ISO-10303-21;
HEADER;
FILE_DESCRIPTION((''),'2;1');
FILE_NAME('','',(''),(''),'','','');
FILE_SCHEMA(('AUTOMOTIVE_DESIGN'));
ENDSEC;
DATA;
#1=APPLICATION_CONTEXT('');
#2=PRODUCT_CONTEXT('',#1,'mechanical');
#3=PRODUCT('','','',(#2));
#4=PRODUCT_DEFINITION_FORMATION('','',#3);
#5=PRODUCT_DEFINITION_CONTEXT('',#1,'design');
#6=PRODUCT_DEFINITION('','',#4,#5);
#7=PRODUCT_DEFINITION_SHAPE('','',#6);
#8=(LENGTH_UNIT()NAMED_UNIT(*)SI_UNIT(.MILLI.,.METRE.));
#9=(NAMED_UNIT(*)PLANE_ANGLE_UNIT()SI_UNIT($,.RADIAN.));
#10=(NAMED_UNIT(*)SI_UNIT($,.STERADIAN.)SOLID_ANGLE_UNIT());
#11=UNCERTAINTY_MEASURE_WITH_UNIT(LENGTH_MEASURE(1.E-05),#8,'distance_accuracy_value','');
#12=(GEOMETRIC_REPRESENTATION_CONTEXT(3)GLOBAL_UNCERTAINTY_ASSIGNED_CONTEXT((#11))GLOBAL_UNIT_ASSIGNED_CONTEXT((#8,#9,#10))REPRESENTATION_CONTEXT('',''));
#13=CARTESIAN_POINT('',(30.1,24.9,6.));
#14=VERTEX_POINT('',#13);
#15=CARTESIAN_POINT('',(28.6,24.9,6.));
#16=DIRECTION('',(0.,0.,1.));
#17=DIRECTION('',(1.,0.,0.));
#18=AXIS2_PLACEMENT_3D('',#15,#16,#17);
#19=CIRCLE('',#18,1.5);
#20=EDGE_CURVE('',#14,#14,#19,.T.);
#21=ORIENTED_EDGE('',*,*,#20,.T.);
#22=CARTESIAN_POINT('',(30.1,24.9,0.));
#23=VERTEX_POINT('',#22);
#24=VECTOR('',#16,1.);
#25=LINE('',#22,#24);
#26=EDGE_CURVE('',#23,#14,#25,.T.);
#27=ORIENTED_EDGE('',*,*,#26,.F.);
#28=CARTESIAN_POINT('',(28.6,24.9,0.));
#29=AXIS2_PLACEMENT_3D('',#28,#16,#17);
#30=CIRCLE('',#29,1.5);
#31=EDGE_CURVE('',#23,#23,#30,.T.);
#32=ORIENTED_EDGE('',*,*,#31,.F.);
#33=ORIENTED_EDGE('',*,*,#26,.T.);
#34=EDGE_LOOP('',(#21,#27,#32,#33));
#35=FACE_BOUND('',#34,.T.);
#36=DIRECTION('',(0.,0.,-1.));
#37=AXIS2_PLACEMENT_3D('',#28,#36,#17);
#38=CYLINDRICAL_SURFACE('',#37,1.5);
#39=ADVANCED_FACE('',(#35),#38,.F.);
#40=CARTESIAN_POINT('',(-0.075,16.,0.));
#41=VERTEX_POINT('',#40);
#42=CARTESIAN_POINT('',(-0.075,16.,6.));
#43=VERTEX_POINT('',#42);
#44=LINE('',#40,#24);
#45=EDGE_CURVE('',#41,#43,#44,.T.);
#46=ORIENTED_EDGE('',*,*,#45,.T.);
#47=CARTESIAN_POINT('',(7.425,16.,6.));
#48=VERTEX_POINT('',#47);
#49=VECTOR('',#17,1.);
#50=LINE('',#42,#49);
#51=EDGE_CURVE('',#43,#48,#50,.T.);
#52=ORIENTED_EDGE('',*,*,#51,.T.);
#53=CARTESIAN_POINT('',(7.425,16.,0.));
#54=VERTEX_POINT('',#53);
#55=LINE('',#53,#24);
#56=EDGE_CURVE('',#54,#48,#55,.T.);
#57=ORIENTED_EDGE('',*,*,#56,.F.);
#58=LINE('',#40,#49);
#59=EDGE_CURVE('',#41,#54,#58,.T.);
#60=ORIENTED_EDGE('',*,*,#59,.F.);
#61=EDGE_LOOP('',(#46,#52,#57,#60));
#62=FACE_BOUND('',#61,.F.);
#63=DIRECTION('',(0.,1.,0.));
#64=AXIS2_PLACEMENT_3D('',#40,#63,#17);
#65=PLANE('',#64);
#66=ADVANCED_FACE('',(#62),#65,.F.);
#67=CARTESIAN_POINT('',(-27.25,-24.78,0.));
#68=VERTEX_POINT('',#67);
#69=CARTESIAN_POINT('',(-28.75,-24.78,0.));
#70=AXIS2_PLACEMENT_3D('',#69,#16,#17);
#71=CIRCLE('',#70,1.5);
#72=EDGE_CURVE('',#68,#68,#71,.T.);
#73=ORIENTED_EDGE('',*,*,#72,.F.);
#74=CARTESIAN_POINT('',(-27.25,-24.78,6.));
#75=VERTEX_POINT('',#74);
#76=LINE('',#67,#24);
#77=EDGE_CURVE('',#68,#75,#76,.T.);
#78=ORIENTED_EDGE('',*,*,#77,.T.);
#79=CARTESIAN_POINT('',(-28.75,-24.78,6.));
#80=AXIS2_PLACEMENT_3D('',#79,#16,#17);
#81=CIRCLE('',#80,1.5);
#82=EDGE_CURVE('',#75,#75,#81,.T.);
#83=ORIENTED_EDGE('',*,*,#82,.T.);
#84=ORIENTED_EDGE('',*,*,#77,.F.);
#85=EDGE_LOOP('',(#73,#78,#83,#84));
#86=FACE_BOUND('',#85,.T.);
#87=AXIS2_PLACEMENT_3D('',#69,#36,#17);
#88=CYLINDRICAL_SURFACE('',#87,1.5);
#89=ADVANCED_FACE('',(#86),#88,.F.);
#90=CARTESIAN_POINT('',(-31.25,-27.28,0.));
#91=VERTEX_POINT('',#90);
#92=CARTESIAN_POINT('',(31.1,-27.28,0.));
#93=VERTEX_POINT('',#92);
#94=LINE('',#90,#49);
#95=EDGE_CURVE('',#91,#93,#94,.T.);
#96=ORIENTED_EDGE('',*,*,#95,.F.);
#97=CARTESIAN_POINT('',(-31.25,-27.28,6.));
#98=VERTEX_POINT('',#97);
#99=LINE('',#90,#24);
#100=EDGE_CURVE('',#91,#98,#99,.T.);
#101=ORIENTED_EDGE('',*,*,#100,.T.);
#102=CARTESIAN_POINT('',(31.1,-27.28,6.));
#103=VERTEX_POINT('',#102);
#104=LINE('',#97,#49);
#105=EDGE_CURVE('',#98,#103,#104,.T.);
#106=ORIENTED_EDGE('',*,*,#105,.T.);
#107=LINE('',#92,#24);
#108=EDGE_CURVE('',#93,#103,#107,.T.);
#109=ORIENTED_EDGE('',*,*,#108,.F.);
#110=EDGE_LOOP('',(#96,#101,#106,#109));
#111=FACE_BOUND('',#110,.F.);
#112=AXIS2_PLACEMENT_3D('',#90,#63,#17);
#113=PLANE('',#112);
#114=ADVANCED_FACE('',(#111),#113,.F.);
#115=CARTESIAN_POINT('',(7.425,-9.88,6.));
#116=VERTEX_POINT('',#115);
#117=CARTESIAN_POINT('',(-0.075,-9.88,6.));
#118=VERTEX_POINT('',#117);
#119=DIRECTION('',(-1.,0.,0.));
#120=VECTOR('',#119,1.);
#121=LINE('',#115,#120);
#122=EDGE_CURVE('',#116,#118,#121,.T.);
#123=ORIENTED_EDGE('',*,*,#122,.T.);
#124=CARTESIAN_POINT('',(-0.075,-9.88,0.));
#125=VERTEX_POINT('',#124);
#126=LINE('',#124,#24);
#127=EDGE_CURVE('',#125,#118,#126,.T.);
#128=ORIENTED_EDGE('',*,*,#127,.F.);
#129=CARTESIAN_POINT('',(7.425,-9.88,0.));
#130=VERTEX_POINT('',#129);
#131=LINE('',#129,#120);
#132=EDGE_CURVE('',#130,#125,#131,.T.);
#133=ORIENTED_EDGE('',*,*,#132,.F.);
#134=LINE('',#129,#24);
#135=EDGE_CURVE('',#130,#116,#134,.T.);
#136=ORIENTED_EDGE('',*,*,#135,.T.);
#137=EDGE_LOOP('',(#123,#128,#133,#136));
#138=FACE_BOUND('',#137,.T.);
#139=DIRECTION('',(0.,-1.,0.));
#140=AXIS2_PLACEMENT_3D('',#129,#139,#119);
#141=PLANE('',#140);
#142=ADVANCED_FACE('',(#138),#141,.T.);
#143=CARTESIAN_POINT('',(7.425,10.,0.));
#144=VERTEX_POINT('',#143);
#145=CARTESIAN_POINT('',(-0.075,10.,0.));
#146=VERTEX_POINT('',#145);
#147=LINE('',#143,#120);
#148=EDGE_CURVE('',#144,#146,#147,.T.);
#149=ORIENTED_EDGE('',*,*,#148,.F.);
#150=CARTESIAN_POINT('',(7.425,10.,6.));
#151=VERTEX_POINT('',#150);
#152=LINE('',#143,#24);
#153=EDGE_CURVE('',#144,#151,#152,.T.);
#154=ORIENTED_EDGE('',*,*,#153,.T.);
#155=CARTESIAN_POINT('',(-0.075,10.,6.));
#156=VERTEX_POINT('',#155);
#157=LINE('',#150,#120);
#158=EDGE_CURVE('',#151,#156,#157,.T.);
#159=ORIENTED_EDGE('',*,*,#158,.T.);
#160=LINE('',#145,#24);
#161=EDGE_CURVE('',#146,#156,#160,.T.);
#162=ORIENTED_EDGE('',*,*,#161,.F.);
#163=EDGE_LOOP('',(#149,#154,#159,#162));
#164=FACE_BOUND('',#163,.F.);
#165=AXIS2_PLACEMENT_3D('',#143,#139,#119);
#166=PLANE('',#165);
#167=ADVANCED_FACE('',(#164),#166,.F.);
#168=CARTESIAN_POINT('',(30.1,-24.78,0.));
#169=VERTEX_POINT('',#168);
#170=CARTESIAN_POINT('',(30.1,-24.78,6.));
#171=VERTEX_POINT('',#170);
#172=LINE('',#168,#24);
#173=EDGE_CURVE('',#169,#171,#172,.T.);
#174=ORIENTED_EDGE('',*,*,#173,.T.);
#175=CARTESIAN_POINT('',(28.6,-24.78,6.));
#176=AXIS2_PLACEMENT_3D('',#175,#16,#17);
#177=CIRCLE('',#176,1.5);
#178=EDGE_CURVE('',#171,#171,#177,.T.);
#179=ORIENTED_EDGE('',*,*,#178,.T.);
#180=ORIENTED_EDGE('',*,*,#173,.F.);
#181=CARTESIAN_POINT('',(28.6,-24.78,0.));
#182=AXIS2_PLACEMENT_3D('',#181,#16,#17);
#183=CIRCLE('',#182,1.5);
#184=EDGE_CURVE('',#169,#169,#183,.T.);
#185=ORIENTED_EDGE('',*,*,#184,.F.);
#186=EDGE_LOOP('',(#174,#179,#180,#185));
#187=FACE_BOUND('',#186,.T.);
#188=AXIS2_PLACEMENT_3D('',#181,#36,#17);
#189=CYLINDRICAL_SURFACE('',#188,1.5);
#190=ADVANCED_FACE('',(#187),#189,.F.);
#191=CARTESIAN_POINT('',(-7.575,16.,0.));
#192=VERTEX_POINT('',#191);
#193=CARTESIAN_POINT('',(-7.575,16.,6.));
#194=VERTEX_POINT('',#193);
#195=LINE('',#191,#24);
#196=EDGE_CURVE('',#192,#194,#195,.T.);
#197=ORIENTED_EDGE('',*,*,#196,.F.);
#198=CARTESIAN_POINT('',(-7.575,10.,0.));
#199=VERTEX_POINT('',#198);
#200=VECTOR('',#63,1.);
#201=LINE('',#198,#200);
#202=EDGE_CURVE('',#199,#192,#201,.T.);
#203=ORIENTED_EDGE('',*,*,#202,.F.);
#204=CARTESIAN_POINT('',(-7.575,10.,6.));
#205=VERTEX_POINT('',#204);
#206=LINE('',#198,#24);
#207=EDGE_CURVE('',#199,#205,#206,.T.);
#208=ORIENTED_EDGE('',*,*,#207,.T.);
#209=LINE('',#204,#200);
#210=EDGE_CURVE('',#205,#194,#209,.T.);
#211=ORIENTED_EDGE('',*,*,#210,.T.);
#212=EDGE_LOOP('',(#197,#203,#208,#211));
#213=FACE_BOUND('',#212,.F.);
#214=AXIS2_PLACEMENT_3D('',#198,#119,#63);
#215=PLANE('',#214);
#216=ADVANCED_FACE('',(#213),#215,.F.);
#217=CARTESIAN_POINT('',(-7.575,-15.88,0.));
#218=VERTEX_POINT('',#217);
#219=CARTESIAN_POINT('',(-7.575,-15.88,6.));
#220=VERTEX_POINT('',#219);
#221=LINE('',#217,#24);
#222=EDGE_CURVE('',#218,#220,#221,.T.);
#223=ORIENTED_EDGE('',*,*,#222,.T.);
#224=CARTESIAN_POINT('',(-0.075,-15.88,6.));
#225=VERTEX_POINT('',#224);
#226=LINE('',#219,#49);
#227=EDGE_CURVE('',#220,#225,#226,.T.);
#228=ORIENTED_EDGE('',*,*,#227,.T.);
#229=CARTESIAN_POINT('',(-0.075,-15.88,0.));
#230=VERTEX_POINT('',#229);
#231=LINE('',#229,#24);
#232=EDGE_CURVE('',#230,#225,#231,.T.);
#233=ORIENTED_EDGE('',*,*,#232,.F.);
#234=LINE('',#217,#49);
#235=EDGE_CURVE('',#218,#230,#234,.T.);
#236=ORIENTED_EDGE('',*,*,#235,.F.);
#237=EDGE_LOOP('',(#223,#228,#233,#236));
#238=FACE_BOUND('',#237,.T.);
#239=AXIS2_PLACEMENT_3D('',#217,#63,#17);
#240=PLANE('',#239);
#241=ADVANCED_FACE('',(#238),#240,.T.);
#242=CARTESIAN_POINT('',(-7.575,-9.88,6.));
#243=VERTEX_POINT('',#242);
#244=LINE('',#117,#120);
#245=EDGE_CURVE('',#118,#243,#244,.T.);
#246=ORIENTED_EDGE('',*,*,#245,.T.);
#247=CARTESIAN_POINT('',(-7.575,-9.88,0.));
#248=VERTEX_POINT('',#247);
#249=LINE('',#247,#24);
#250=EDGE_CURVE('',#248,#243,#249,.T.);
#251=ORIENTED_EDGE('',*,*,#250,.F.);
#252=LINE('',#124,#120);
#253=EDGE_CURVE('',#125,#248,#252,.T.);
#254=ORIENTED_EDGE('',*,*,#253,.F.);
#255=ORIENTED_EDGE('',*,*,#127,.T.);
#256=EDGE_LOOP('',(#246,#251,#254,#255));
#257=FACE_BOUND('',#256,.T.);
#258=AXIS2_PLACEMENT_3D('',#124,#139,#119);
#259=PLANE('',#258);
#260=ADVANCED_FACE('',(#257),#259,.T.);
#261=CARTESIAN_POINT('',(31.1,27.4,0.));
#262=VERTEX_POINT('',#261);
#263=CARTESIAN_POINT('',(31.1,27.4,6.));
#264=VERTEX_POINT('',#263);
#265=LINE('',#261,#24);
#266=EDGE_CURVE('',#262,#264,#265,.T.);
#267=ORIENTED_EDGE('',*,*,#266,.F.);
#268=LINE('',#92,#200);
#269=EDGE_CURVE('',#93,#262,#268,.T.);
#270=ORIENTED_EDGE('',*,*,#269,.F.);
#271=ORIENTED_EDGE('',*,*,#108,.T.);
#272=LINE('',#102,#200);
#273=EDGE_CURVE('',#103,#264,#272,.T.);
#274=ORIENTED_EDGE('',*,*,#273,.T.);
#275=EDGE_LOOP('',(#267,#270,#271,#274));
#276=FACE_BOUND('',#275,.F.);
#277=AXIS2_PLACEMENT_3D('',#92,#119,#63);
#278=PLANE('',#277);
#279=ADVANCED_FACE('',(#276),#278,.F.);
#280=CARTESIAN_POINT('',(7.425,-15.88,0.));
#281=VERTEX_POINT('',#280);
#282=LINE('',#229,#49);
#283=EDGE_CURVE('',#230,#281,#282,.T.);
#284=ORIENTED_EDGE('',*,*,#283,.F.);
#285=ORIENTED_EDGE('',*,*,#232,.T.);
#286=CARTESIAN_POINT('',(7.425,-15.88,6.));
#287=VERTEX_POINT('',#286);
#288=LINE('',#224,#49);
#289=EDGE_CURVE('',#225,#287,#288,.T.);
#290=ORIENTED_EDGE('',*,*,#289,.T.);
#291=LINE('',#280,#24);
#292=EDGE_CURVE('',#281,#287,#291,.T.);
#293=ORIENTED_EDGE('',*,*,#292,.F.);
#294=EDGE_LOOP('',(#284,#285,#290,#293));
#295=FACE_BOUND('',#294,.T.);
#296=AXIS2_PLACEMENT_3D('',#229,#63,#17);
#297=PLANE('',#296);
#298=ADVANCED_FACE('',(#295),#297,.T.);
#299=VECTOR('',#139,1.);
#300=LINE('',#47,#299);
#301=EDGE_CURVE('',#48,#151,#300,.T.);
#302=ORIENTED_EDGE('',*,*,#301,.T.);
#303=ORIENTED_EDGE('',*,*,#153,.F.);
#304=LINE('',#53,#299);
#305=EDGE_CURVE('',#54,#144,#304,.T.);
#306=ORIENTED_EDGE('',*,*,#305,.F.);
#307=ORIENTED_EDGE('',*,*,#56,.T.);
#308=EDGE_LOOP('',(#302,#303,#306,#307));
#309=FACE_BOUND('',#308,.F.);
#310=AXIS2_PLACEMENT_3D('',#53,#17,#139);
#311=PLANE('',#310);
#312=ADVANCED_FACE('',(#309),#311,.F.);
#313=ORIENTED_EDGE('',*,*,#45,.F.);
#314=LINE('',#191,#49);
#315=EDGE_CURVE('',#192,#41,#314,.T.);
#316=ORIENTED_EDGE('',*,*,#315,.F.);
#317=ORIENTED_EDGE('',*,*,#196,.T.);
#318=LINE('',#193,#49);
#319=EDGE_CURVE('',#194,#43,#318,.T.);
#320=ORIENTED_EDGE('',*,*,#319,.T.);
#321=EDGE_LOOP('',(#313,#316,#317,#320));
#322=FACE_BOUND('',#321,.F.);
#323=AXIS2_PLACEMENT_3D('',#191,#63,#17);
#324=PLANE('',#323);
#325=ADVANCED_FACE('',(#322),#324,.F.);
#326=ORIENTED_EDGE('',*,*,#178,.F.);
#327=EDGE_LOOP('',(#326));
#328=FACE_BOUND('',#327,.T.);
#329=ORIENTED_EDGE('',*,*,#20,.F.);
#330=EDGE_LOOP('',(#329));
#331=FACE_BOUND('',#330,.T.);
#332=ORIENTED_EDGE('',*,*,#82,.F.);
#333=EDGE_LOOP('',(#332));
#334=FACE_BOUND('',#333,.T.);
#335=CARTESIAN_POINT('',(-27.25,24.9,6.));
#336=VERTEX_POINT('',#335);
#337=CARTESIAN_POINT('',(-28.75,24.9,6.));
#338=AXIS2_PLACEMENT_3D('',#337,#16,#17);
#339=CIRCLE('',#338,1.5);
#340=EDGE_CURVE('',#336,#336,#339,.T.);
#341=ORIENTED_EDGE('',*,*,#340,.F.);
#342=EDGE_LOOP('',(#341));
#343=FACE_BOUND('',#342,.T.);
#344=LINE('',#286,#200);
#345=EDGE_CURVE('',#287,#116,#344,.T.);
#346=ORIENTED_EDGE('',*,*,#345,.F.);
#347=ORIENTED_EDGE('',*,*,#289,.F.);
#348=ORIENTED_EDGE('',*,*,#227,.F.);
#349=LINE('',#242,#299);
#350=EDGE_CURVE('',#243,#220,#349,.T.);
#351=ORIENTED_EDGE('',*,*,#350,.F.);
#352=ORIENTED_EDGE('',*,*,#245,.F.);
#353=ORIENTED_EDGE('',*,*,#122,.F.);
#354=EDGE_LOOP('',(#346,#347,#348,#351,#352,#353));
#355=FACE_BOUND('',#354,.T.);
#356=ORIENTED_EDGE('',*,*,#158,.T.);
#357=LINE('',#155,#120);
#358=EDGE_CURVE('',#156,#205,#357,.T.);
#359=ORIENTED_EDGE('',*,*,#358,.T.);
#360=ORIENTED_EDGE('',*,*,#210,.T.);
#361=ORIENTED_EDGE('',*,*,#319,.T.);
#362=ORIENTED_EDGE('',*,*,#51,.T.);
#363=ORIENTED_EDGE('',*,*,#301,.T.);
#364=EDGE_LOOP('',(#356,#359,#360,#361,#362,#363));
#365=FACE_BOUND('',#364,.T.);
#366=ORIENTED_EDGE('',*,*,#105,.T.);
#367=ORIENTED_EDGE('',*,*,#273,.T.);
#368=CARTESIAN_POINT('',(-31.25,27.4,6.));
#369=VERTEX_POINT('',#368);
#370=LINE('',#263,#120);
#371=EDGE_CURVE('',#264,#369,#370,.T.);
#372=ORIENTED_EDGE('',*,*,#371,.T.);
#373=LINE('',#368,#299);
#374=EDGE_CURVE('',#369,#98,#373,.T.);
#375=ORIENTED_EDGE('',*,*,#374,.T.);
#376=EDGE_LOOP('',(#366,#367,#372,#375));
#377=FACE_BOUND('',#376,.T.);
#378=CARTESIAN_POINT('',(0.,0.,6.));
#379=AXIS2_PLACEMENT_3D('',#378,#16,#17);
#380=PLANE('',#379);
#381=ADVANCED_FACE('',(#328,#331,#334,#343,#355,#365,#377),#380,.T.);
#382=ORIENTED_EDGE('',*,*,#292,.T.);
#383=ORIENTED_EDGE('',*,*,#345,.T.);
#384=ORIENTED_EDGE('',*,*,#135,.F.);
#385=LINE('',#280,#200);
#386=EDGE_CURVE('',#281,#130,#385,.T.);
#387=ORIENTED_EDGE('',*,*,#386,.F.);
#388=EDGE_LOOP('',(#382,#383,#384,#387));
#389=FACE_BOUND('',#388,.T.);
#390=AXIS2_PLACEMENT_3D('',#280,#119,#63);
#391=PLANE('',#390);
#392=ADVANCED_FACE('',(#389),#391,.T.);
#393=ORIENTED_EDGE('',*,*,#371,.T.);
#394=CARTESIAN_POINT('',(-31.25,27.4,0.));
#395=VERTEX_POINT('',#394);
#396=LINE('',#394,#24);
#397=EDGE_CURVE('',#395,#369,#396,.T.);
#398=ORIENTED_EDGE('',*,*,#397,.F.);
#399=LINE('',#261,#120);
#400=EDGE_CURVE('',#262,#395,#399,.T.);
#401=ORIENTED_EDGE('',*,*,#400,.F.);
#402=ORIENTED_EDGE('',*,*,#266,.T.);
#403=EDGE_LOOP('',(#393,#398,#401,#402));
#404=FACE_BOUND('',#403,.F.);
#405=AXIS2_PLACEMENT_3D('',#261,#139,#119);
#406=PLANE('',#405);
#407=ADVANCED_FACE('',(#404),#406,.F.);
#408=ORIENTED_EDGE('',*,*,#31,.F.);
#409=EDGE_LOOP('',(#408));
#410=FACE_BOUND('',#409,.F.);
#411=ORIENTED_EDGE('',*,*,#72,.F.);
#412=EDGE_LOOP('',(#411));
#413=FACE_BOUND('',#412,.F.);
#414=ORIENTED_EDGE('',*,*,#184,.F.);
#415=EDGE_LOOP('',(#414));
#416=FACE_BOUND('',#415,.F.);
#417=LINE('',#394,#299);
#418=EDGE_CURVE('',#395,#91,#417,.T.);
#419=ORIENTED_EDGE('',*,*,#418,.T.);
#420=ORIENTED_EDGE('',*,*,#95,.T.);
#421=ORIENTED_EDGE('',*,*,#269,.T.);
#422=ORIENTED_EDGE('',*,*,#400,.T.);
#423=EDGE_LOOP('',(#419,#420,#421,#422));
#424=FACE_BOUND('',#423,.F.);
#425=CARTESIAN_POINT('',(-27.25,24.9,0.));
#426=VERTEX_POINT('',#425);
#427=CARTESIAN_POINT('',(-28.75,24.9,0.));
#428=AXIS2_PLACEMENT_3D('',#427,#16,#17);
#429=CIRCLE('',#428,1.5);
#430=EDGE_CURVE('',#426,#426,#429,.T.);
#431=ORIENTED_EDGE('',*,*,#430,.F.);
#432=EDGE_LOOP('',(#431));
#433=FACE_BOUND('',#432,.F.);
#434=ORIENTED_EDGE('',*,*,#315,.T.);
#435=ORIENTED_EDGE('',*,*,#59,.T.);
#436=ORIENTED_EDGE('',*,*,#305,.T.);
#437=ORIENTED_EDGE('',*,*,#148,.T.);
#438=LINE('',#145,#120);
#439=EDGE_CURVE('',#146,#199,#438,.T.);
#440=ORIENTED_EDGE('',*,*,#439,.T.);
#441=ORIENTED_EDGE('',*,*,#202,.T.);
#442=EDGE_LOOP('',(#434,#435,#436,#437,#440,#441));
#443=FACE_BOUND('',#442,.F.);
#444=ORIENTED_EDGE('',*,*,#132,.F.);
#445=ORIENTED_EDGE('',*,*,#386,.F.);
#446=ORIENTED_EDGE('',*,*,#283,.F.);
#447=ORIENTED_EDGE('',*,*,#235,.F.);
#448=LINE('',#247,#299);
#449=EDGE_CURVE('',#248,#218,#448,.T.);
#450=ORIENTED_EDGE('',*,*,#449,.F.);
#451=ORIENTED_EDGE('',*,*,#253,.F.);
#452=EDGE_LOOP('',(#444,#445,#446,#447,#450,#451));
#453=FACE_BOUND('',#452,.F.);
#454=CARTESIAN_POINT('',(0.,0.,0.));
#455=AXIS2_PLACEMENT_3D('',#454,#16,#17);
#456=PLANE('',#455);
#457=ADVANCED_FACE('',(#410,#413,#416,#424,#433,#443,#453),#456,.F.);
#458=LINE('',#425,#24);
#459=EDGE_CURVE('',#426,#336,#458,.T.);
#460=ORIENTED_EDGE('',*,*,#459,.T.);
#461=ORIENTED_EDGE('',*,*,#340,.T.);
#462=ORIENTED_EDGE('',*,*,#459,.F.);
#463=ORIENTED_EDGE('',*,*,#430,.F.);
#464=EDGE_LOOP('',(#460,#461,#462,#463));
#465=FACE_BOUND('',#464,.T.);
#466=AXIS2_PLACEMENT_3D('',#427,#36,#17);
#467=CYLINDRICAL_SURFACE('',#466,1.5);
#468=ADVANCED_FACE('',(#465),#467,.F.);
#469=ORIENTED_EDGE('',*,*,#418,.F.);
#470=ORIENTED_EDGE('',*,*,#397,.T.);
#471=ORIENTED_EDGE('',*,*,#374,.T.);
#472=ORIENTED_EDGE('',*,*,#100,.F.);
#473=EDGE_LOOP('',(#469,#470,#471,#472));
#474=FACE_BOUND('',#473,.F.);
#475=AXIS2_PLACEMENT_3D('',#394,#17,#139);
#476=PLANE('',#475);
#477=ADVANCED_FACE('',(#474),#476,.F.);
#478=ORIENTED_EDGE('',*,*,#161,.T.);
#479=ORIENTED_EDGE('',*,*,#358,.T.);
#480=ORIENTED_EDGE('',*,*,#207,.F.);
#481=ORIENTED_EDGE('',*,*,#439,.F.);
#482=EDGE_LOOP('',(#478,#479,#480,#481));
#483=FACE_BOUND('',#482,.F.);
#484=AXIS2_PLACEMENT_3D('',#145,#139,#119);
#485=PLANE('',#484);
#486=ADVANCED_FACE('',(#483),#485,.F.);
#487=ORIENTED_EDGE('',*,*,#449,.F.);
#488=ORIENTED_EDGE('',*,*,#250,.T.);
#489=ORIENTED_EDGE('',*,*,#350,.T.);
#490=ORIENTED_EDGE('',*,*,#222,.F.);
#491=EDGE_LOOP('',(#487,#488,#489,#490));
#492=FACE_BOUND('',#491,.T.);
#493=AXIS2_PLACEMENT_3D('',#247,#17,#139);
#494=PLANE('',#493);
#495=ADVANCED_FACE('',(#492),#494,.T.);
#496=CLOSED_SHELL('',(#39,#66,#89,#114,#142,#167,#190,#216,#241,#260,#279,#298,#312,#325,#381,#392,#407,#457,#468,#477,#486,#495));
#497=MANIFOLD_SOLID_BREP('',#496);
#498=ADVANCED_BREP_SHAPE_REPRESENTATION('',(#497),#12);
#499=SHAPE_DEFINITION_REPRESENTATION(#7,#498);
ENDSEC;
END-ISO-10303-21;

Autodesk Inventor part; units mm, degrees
ref_plane "YZ Plane" through (0, 0, 0) normal (1, 0, 0) x (0, 1, 0)
ref_plane "XZ Plane" through (0, 0, 0) normal (0, 1, 0) x (-1, 0, 0)
ref_plane "XY Plane" through (0, 0, 0) normal (0, 0, 1) x (1, 0, 0)
sketch "Esquisse1" plane through (0, 0, 0) normal (0, 0, 1) x (1, 0, 0)
  circle A0 centre (28.6, 24.9) radius 1.5 projected
  circle A1 centre (28.6, -24.78) radius 1.5 projected
  circle A2 centre (-28.75, 24.9) radius 1.5 projected
  circle A3 centre (-28.75, -24.78) radius 1.5 projected
  line L0 (31.1, 27.4) -> (-31.25, 27.4) projected
  line L1 (-31.25, 27.4) -> (-31.25, -27.28) projected
  line L2 (-31.25, -27.28) -> (31.1, -27.28) projected
  line L3 (31.1, -27.28) -> (31.1, 27.4) projected
  line L4 (-7.575, 16) -> (-0.075, 16)
  line L5 (-0.075, 16) -> (7.425, 16)
  line L6 (7.425, 16) -> (7.425, 10)
  line L7 (7.425, 10) -> (-0.075, 10)
  line L8 (-0.075, 10) -> (-7.575, 10)
  line L9 (-7.575, 10) -> (-7.575, 16)
  line L10 (-0.075, 37.051) -> (-0.075, -38.1524) construction
  line L11 (34.7968, 0.06) -> (-21.7073, 0.06) construction
  line L12 (-7.575, -15.88) -> (-0.075, -15.88)
  line L13 (-0.075, -15.88) -> (7.425, -15.88)
  line L14 (7.425, -15.88) -> (7.425, -9.88)
  line L15 (7.425, -9.88) -> (-0.075, -9.88)
  line L16 (-0.075, -9.88) -> (-7.575, -9.88)
  line L17 (-7.575, -9.88) -> (-7.575, -15.88)
  line L18 (-0.075, -36.931) -> (-0.075, 38.2724) construction
  point P0 (0, 0)
  point P1 (-0.075, 27.4)
  point P2 (31.1, 0.06)
  dimension "d0" = 7.5
  dimension "d1" = 16
  dimension "d2" = 6
extrude "Extrusion1" add sketch "Esquisse1" along normal blind 6
equation "\"d0\" = 0.5 * L_attache_carte"
equation "\"d1\" = 0.5 * largeur"
equation "\"d2\" = epaisseur"
equation "\"d3\" = epaisseur"
equation "\"epaisseur\" = 6"
equation "\"ecartement\" = 25"
equation "\"dvis\" = 3"
equation "\"largeur\" = 32"
equation "\"L_attache_carte\" = 15"
equation "\"marge_attache_carte\" = 5"
equation "\"L_cubi\" = 81.6"
equation "\"taille_trou\" = 7"
equation "\"L_moteur\" = 28.3"
equation "\"marge_trou\" = 2"
equation "\"largeur_cubi\" = 81.6"
equation "\"H_cubi\" = 81.6"
equation "\"epaisseur_wheel\" = 9"
equation "\"H_nez\" = 25"
equation "\"chanfrein\" = 0.5"
equation "\"H_trou_int\" = 0.2"
equation "\"L_trou_int\" = 1"
equation "\"pos_trou_int_1\" = 0.7"
equation "\"pos_trou_int_2\" = 3"
equation "\"epaisseur_metabois\" = 3"
equation "\"L_metabois\" = 8.2"
equation "\"epaisseur_modules\" = 6"
properties part number "support_card"
